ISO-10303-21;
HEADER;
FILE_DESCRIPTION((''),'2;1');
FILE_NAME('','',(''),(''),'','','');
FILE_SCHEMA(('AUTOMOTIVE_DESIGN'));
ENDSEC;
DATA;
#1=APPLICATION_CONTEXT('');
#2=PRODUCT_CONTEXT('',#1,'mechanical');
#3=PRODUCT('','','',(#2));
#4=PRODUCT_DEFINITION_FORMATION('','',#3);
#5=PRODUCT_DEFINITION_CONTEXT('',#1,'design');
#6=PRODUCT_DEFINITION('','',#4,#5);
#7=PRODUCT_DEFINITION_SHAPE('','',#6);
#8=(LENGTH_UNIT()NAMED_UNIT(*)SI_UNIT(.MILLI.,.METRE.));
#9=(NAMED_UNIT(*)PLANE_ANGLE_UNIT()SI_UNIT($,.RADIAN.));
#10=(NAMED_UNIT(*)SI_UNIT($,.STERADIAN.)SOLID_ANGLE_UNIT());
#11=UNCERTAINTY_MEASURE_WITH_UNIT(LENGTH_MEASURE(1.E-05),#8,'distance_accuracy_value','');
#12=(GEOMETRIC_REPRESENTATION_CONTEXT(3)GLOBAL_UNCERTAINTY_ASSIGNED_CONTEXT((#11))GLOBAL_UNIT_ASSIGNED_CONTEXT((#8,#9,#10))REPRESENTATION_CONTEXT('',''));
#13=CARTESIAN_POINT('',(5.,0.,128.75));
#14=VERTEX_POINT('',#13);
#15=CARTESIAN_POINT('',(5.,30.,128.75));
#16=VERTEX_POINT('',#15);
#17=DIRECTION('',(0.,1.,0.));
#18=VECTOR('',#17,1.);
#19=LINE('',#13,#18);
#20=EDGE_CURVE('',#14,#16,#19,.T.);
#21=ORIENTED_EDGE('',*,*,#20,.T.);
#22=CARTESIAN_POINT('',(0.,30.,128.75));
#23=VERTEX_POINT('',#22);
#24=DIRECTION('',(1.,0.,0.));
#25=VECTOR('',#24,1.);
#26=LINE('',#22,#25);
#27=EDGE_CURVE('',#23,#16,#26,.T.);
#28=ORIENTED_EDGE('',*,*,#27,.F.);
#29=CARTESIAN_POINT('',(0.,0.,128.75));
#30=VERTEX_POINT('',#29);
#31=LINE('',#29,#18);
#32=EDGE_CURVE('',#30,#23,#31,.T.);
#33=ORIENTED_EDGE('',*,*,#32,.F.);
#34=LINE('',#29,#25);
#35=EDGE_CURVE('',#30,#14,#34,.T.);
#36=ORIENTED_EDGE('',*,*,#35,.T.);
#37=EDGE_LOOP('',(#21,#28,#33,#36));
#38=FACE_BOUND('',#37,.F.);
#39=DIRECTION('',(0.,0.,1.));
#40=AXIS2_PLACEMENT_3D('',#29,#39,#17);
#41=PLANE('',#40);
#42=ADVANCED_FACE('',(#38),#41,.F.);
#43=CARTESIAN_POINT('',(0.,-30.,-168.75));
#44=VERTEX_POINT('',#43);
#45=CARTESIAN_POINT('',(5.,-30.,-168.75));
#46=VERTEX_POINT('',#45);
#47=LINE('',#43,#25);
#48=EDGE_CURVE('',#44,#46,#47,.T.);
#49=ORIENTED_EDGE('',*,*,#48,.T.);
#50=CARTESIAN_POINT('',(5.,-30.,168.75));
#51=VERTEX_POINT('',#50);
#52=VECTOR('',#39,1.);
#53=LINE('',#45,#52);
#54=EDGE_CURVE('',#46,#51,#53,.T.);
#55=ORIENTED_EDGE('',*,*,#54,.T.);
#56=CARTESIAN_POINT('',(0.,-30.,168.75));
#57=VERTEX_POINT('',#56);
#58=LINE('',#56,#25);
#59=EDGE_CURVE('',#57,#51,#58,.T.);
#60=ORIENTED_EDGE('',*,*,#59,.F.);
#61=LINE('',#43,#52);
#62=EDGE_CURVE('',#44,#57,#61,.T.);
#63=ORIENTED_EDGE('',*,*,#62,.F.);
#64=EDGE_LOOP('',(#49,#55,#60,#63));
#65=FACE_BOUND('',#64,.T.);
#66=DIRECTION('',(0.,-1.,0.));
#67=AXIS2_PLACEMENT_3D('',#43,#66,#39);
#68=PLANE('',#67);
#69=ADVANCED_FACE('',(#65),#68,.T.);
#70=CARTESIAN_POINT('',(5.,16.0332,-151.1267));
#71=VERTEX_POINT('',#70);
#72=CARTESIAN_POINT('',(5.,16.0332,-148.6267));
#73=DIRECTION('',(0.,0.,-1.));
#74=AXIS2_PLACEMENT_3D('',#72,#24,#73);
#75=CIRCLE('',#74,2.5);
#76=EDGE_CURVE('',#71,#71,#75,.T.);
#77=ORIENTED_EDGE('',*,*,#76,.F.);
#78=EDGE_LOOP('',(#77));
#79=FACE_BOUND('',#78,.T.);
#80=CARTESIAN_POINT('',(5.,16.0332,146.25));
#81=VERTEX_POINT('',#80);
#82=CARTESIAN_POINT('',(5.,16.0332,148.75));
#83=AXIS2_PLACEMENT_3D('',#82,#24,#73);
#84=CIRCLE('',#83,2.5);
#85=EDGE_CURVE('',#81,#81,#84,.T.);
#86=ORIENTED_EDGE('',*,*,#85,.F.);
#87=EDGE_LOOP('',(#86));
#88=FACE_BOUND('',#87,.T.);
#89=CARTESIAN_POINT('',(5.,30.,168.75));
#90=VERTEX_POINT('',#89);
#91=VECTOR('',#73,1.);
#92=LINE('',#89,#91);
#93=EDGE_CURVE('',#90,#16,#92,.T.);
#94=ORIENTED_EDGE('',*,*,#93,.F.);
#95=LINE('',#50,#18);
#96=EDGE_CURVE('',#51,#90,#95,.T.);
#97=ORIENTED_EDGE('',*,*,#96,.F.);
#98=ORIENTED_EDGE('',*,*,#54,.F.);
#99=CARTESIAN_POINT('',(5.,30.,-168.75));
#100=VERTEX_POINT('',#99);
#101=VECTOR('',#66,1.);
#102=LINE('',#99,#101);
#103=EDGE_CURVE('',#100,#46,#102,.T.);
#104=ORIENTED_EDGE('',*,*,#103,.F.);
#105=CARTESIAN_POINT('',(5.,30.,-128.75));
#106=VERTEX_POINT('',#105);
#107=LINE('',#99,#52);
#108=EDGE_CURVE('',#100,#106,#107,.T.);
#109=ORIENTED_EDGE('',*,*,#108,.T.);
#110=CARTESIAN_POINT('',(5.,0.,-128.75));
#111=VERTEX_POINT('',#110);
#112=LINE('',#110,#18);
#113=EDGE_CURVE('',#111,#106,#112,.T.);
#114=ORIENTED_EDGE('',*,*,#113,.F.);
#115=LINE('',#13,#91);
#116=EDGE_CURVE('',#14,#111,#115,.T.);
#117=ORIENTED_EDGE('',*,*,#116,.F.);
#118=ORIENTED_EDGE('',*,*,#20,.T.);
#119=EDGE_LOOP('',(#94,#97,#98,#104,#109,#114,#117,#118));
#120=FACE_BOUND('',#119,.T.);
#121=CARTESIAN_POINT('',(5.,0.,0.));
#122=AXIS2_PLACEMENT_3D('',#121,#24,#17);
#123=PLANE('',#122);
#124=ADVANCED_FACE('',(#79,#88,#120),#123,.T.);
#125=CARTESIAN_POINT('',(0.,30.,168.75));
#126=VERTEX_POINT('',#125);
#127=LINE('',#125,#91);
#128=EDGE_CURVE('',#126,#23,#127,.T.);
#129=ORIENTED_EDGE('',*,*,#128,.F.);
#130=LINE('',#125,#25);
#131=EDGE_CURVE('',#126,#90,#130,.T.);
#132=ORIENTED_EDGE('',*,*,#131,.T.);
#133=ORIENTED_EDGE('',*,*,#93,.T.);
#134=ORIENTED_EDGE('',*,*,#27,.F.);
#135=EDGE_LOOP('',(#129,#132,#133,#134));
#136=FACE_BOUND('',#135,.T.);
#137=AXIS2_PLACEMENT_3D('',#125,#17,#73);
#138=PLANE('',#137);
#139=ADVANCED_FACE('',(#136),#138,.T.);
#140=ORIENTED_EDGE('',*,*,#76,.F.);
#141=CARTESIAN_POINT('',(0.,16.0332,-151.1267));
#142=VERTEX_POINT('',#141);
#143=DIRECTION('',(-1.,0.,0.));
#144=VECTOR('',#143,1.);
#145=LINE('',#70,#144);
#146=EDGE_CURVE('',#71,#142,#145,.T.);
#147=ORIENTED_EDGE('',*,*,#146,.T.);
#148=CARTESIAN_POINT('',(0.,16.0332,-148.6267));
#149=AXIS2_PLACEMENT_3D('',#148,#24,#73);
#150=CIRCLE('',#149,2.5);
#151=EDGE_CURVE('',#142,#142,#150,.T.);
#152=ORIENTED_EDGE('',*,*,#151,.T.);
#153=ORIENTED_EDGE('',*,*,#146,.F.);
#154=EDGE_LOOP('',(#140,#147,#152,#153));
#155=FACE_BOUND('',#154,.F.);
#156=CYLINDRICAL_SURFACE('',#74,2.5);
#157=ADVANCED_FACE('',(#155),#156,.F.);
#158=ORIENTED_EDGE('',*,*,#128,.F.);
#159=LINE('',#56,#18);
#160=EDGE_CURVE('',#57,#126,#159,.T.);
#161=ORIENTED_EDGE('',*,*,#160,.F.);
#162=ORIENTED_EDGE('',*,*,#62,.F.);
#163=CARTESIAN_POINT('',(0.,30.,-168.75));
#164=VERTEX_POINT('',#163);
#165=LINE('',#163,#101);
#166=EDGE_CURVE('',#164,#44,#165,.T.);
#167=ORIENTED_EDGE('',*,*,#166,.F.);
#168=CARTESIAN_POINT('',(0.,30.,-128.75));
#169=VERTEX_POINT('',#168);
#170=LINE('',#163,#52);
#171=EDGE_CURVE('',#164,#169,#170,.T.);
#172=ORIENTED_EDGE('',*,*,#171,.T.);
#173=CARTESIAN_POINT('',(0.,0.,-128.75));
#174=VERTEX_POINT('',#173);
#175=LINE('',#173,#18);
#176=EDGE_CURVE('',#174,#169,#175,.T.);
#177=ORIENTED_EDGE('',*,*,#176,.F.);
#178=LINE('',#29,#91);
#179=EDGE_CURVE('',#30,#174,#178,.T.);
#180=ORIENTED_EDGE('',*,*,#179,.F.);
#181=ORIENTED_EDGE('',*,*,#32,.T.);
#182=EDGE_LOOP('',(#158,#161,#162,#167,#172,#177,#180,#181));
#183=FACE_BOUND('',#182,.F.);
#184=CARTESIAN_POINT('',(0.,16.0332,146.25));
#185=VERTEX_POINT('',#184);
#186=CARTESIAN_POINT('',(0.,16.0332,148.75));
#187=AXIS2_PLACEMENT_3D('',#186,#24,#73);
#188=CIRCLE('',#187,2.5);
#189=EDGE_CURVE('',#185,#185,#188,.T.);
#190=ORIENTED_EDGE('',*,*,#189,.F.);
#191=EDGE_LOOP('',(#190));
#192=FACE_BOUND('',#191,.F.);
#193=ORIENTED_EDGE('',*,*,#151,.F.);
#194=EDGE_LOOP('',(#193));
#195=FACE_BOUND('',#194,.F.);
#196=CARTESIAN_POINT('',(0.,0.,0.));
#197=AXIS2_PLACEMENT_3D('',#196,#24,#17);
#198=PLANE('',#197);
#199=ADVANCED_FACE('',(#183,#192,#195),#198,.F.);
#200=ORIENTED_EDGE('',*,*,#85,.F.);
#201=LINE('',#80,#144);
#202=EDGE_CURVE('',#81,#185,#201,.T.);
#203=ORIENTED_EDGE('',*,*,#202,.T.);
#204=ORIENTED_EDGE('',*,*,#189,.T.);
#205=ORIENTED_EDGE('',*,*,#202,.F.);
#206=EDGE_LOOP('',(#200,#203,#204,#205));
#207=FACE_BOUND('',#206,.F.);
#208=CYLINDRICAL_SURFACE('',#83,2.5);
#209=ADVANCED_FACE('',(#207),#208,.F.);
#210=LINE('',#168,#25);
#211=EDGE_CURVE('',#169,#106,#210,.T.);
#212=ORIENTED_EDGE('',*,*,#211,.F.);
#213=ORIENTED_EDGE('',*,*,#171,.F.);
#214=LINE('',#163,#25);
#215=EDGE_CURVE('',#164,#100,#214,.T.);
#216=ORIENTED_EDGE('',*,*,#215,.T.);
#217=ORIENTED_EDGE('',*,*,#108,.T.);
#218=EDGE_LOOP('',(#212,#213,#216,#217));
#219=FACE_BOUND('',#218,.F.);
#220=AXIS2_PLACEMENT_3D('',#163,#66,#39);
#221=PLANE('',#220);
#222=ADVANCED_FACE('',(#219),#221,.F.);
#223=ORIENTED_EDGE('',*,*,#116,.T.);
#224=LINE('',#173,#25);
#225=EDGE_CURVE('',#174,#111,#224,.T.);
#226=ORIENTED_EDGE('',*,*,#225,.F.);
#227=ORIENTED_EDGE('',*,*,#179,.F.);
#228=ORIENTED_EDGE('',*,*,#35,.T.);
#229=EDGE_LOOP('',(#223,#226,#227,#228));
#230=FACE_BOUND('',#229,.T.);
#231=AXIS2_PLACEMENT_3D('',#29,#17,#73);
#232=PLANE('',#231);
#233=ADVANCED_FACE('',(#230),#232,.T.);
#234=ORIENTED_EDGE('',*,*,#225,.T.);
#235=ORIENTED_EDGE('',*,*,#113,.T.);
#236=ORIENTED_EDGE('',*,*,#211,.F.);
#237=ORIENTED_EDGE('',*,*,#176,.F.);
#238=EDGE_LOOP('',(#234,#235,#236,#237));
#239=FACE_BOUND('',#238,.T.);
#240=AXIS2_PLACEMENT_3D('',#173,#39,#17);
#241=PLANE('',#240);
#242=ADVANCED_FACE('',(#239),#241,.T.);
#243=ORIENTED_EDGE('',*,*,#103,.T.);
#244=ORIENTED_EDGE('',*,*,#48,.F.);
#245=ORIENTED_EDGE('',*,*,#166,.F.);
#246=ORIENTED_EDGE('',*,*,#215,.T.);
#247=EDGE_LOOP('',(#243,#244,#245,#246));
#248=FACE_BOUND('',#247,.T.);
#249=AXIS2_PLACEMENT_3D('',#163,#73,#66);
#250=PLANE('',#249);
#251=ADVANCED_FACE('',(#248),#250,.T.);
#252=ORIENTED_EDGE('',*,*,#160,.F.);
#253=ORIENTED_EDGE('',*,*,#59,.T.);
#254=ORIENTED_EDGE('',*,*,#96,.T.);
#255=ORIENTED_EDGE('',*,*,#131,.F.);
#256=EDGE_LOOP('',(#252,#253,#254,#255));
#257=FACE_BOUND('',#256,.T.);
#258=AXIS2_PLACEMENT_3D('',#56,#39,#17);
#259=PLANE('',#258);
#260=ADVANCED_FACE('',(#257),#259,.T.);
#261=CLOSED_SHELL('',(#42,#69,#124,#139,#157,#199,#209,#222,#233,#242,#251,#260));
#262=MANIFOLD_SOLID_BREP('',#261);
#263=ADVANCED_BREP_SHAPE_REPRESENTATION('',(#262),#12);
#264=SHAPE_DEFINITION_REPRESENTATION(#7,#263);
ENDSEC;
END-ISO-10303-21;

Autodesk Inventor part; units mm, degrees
ref_plane "YZ Plane" through (0, 0, 0) normal (1, 0, 0) x (0, 1, 0)
ref_plane "XZ Plane" through (0, 0, 0) normal (0, 1, 0) x (-1, 0, 0)
ref_plane "XY Plane" through (0, 0, 0) normal (0, 0, 1) x (1, 0, 0)
sketch "Sketch1" plane through (0, 0, 0) normal (1, 0, 0) x (0, 1, 0)
  line L0 (-30, 168.75) -> (30, 168.75)
  line L1 (30, -168.75) -> (-30, -168.75)
  line L2 (-30, -168.75) -> (-30, 168.75)
  line L3 (30, 168.75) -> (30, 128.75)
  line L4 (0, 128.75) -> (30, 128.75)
  line L5 (30, -168.75) -> (30, -128.75)
  line L6 (0, -128.75) -> (30, -128.75)
  line L7 (30, 168.75) -> (30, 128.75)
  line L8 (30, -128.75) -> (30, -168.75)
  line L9 (0, 128.75) -> (0, -128.75)
  point P0 (0, 0)
extrude "Extrusion1" add sketch "Sketch1" along normal blind 5
sketch "Sketch2" plane through (5, 0, 0) normal (1, 0, 0) x (0, 0, -1)
  circle A0 centre (-148.75, 16.0332) radius 2.5
  circle A1 centre (148.6267, 16.0332) radius 2.5
  point P0 (0, 0)
  dimension "d6" = 5
  dimension "d7" = 5
extrude "Extrusion2" cut sketch "Sketch2" against normal blind 10
properties part number "Conveyor Support"
